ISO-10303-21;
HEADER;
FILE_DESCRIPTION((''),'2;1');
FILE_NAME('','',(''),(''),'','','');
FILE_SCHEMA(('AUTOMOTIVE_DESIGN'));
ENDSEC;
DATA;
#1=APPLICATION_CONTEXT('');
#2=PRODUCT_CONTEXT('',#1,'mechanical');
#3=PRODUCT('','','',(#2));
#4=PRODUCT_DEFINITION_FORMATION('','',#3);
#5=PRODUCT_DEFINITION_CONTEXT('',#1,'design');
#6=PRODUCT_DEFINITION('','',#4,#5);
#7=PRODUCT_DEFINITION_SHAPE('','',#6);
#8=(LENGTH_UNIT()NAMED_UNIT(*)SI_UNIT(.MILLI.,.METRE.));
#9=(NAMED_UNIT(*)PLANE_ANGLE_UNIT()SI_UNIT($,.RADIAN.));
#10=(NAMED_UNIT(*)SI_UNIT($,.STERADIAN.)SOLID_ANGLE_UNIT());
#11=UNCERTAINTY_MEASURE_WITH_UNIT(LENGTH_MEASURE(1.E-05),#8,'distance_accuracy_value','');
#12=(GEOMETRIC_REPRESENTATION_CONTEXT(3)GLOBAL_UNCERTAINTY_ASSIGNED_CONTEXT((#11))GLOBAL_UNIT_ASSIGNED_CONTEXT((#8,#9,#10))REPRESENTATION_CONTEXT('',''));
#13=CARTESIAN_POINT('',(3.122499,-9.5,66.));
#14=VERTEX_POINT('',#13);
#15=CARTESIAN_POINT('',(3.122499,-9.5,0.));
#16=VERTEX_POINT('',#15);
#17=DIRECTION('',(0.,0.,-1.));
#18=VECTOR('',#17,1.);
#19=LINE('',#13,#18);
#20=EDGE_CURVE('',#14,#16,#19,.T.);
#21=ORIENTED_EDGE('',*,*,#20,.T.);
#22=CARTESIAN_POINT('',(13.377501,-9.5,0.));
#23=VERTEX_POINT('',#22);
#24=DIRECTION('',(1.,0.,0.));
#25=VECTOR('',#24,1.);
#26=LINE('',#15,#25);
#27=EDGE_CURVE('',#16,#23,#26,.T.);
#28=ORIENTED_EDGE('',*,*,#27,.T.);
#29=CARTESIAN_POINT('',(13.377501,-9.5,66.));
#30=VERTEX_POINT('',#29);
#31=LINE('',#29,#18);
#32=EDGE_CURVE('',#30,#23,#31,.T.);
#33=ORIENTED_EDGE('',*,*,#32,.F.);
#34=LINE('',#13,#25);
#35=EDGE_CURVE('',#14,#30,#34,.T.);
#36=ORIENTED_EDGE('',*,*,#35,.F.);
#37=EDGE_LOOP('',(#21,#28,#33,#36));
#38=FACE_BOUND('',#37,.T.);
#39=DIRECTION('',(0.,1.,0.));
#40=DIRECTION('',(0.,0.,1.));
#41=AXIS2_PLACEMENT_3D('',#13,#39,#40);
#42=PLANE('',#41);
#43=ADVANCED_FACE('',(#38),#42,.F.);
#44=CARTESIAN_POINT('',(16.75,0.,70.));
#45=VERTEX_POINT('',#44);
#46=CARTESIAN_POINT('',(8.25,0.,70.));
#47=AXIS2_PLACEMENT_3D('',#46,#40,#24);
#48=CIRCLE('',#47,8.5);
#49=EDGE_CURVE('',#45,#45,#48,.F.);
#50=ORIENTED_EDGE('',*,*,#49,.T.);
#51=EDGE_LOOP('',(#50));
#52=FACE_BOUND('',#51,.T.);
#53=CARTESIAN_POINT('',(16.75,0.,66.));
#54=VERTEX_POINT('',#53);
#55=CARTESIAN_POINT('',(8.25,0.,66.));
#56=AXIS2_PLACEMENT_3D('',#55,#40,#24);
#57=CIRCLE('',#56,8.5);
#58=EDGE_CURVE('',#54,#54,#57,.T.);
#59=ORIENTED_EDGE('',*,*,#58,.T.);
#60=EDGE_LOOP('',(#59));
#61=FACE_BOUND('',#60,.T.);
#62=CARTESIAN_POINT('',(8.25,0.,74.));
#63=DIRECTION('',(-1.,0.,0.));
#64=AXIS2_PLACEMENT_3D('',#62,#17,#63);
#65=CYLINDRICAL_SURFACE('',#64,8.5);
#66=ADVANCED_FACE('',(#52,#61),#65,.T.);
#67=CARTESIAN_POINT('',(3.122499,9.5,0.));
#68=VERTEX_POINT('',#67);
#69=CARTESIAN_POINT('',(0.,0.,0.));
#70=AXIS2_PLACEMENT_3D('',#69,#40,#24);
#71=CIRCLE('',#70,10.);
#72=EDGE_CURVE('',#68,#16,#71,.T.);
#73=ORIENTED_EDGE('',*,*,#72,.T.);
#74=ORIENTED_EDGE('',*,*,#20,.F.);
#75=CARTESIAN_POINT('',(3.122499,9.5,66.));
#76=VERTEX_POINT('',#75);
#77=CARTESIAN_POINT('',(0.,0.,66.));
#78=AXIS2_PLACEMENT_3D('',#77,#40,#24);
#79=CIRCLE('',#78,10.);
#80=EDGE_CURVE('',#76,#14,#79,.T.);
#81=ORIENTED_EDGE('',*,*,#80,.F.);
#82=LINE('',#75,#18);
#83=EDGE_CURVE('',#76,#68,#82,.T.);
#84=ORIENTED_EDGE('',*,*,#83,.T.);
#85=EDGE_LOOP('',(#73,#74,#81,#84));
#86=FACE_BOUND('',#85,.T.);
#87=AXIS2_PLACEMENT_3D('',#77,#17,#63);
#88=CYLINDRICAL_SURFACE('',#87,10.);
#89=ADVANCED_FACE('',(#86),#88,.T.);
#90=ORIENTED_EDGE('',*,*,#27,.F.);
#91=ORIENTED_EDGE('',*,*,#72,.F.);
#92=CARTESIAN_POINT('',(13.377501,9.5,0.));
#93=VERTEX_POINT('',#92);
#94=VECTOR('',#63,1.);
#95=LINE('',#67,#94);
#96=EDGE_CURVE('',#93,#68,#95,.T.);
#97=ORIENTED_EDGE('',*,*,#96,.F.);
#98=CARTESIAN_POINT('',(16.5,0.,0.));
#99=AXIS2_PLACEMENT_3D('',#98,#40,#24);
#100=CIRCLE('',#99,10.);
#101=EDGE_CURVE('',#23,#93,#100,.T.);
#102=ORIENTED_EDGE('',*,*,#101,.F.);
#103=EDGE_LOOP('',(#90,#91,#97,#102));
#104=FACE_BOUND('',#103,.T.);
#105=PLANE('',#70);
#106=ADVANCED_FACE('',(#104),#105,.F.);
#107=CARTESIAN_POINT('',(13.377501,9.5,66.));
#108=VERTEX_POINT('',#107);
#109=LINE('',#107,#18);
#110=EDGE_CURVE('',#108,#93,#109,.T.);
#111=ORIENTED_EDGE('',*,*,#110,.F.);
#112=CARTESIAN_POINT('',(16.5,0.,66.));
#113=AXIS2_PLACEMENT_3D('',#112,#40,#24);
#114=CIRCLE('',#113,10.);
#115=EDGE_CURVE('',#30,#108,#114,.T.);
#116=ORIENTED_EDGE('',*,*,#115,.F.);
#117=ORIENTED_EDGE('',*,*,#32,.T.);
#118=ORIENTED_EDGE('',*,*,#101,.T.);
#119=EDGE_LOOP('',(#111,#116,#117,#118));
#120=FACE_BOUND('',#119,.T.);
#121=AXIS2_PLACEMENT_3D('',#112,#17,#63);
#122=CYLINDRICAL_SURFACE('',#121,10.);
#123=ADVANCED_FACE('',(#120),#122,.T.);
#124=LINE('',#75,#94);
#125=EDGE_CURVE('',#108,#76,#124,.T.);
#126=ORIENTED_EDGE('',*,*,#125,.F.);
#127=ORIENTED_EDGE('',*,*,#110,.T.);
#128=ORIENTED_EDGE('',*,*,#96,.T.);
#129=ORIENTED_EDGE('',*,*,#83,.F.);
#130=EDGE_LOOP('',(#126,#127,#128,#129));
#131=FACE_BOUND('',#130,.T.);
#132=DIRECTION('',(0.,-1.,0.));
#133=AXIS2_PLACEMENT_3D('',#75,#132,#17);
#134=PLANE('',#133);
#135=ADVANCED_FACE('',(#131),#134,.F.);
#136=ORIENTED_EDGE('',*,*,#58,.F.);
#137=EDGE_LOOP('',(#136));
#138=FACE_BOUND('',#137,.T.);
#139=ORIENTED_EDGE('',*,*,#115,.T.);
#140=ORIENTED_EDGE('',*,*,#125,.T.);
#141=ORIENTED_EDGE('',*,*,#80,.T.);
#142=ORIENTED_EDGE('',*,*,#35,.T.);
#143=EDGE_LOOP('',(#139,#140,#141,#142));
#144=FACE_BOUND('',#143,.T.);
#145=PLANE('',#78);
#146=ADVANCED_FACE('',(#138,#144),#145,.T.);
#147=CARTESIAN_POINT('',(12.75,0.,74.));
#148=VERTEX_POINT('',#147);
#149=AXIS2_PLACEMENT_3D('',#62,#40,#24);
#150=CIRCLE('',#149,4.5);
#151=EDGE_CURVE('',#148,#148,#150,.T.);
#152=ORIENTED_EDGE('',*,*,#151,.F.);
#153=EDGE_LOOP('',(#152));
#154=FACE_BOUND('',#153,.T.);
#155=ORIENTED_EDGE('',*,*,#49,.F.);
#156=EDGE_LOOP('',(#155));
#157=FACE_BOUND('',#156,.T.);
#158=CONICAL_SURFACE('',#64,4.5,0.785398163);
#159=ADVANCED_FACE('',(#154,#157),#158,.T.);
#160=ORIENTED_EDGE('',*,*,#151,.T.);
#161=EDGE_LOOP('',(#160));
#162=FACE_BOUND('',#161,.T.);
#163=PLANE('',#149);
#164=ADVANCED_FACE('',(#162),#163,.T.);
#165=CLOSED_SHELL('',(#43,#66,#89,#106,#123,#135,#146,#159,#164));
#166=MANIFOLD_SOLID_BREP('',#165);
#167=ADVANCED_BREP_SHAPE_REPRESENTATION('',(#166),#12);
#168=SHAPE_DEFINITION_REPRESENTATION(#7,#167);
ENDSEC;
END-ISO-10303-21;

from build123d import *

# Parameters (mm, degrees)
BOSS_EXTRUDE1_DEPTH = 66
SKETCH2_R           = 8.5
BOSS_EXTRUDE2_DEPTH = 8
CHAMFER1_SIZE       = 4


with BuildPart() as part:
    # Sketch1 → Boss-Extrude1 (new body)
    with BuildSketch(Plane.XY):
        with BuildLine():
            Line((3.122498999, 9.5), (13.377501001, 9.5))
            ThreePointArc((13.377501001, 9.5), (26.5, 0), (13.377501001, -9.5))
            Line((13.377501001, -9.5), (3.122498999, -9.5))
            ThreePointArc((3.122498999, -9.5), (-10, 0), (3.122498999, 9.5))
        make_face()
    extrude(amount=BOSS_EXTRUDE1_DEPTH)

    # Sketch2 → Boss-Extrude2 (add)
    with BuildSketch(Plane.XY.offset(66)):
        with Locations((8.25, 0)):
            Circle(SKETCH2_R)
    extrude(amount=BOSS_EXTRUDE2_DEPTH)

    # Chamfer1
    chamfer1_edges = [part.edges().sort_by_distance(p)[0] for p in [
        (-0.25, 0, 74),
    ]]
    chamfer(chamfer1_edges, length=CHAMFER1_SIZE)


solid = part.part
